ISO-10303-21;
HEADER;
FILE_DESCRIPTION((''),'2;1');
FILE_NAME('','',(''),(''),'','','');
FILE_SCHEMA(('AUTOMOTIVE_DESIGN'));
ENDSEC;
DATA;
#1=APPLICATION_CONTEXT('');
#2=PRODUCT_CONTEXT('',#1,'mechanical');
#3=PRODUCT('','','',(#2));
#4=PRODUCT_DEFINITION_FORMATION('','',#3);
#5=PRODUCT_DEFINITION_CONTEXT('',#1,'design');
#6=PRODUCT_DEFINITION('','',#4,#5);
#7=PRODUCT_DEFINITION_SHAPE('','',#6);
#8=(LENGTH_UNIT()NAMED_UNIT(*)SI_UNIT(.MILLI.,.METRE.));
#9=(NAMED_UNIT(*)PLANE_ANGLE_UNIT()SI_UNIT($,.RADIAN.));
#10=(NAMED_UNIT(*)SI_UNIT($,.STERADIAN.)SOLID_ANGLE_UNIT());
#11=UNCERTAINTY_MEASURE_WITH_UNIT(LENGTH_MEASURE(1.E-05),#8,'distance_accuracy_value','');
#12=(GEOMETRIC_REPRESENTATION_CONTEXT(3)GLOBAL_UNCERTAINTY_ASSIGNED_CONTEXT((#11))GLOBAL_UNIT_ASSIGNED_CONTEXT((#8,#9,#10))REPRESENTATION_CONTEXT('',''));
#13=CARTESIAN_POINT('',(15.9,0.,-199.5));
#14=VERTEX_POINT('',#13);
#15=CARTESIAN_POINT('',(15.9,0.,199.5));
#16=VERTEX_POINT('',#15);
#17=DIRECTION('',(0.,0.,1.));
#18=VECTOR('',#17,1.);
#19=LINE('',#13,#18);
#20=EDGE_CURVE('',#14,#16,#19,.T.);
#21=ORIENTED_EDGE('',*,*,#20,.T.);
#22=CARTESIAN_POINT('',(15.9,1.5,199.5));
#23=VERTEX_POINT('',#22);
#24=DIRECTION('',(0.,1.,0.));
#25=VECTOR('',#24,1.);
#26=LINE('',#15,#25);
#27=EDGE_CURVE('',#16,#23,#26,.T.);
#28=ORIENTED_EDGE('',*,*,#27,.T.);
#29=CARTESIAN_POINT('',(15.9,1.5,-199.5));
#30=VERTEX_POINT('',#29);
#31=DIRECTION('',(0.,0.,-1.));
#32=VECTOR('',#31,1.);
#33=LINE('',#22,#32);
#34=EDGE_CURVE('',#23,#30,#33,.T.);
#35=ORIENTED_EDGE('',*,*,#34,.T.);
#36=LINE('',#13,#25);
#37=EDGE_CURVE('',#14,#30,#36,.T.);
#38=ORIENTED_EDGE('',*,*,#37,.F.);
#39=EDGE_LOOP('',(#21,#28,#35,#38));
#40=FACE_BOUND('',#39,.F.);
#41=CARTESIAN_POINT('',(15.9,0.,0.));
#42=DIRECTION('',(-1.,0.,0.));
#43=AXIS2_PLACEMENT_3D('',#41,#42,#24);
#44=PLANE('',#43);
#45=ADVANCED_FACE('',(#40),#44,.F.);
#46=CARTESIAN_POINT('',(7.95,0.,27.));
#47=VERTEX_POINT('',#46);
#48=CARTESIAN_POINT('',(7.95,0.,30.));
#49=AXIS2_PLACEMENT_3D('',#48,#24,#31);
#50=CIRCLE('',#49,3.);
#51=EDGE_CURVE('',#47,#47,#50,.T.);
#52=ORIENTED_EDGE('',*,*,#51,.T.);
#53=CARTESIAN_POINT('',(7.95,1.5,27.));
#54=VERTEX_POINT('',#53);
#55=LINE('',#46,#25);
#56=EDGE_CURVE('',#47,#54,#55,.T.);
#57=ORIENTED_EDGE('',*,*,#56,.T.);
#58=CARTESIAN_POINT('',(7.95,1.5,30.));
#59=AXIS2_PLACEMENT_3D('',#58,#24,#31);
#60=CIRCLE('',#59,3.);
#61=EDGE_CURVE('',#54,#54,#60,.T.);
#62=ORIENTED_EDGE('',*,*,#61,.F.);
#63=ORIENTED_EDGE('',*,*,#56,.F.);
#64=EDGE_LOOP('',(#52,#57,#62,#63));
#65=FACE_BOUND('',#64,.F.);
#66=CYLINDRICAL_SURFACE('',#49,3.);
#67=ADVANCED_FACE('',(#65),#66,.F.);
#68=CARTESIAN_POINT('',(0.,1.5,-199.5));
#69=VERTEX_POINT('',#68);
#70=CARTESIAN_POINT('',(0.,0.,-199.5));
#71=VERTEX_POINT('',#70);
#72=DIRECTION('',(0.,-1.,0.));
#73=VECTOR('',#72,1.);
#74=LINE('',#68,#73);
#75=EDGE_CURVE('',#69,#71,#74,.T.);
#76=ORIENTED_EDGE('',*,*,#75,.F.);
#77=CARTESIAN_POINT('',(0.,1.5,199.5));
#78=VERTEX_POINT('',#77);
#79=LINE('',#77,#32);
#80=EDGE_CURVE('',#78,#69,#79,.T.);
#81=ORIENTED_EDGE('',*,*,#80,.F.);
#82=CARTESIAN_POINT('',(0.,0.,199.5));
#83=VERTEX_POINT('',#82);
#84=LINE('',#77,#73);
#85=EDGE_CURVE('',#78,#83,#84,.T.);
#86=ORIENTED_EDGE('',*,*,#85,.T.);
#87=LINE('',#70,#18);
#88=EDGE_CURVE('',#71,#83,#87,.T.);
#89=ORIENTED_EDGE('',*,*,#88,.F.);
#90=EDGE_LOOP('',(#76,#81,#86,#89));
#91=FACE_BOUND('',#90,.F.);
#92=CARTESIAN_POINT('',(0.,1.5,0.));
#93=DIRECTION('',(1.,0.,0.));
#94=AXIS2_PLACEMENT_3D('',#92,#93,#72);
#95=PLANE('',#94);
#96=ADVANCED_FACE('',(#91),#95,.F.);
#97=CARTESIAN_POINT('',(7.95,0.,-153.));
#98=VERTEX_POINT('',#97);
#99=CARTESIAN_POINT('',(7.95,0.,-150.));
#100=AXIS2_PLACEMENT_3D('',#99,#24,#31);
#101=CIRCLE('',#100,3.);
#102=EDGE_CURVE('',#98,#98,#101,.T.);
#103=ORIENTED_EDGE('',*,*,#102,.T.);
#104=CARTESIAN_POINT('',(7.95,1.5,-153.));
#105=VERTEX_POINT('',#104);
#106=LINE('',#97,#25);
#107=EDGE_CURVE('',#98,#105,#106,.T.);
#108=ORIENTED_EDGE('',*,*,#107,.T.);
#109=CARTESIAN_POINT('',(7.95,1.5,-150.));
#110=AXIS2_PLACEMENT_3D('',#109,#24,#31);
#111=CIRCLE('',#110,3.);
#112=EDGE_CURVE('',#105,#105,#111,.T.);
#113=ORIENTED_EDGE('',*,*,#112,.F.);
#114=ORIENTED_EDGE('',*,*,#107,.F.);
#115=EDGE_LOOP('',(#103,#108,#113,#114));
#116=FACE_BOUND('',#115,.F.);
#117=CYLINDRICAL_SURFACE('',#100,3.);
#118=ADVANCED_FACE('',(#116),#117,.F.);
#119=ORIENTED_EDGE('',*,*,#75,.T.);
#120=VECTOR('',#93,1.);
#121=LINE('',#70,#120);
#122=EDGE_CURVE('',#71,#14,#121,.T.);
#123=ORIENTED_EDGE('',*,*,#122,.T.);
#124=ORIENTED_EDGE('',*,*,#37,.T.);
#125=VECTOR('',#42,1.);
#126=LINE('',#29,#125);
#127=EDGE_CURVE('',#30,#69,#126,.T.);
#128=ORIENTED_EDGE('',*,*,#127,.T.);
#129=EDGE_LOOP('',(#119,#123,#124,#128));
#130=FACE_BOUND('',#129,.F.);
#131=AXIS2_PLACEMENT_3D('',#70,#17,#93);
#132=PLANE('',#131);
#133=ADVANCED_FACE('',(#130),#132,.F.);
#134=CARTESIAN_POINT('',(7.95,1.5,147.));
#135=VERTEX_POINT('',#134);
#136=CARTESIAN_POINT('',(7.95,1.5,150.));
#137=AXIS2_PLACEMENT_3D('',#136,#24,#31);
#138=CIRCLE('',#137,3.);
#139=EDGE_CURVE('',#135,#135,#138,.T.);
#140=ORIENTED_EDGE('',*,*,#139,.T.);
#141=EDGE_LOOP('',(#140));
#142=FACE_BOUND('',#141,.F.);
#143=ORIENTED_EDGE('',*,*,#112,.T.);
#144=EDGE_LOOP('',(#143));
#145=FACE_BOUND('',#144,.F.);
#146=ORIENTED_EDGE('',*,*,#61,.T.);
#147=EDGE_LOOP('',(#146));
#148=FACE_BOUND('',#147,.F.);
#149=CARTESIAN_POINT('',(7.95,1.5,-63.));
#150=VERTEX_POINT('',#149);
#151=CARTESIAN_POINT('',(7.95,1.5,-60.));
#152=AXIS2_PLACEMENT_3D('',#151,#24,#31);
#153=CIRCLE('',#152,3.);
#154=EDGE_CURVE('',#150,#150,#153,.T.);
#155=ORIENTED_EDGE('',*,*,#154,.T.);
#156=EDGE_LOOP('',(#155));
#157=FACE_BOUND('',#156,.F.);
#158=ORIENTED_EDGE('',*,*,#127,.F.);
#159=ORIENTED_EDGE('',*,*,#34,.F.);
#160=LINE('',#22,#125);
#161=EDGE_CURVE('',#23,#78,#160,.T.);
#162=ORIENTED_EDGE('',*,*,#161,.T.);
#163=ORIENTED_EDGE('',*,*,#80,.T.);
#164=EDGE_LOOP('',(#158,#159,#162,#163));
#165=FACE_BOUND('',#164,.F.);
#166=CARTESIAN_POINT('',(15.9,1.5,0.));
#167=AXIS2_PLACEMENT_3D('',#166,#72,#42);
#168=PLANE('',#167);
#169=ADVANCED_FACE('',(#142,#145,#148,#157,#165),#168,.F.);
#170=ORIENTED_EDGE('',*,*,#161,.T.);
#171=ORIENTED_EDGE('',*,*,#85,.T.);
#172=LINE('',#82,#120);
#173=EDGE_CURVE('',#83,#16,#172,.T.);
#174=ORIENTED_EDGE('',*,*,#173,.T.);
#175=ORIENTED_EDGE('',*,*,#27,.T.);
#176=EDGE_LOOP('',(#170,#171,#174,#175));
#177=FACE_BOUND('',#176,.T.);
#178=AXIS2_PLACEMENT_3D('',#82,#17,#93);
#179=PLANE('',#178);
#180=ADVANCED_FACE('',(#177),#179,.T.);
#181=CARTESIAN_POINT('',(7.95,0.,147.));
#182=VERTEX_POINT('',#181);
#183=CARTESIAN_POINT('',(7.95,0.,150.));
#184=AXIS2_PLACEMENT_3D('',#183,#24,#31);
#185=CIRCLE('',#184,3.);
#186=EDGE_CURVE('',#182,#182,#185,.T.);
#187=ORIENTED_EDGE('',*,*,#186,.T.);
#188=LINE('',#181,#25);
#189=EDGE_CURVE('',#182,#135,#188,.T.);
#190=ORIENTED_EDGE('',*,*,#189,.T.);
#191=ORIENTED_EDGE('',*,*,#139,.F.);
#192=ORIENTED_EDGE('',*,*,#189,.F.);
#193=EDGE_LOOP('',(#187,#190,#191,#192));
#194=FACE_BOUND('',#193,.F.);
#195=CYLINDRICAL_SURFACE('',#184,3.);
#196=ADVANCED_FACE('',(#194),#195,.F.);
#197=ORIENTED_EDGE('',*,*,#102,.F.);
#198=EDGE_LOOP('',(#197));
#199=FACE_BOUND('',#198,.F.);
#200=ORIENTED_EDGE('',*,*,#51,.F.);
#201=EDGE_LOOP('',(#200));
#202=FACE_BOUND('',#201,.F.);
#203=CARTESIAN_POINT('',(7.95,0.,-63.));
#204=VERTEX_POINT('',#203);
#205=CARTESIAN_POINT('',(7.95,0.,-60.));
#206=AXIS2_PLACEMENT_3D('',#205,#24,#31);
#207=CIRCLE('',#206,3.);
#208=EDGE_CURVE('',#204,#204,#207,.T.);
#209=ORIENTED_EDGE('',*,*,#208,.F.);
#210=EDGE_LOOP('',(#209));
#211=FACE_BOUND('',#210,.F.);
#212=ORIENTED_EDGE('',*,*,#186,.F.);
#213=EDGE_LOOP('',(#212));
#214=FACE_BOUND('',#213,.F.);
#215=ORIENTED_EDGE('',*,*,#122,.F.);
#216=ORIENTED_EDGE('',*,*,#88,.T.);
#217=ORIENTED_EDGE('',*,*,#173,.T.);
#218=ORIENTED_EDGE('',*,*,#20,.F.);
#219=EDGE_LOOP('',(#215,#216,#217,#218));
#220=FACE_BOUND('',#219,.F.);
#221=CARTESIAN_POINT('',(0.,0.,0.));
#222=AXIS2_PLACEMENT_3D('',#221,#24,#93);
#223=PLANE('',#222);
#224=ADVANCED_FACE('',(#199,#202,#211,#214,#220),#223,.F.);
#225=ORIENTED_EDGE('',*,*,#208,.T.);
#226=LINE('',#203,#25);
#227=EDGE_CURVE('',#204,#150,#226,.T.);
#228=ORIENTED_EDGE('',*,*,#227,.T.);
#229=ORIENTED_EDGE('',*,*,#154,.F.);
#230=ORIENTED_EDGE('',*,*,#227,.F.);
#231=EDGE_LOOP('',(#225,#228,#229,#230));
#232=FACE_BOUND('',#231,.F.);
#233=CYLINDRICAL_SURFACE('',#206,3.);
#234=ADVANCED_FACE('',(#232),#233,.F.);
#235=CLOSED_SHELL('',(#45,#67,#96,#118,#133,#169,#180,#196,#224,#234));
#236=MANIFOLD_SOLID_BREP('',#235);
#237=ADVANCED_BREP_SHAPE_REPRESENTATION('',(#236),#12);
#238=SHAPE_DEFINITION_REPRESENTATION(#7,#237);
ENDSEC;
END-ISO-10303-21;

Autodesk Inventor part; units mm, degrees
ref_plane "YZ Plane" through (0, 0, 0) normal (1, 0, 0) x (0, 1, 0)
ref_plane "XZ Plane" through (0, 0, 0) normal (0, 1, 0) x (-1, 0, 0)
ref_plane "XY Plane" through (0, 0, 0) normal (0, 0, 1) x (1, 0, 0)
sketch "Szkic1" plane through (0, 0, 0) normal (0, 0, 1) x (1, 0, 0)
  line L0 (0, 0) -> (15.9, 0)
  line L1 (15.9, 0) -> (15.9, 1.5)
  line L2 (15.9, 1.5) -> (0, 1.5)
  line L3 (0, 1.5) -> (0, 0)
  dimension "d0" = 15.9
  dimension "d1" = 1.5
extrude "Wyciągnięcie proste1" add sketch "Szkic1" along normal mid plane 399
sketch "Szkic2" plane through (0, 0, 0) normal (0, 1, 0) x (-1, 0, 0)
  line L0 (0, -199.5) -> (-15.9, -199.5) construction
  line L1 (-7.95, -199.5) -> (-7.95, -178.6885) construction
  line L2 (-15.9, 199.5) -> (0, 199.5) projected
  point P0 (0, 0)
  point P1 (-7.95, -150)
  point P2 (-7.95, -60)
  point P3 (-7.95, 30)
  point P4 (-7.95, 150)
  dimension "d4" = 49.5
  dimension "d5" = 90
  dimension "d6" = 49.5
  dimension "d7" = 90
hole "Otwór1" at (7.95, 0, -150) at (7.95, 0, -60) at (7.95, 0, 30) at (7.95, 0, 150) direction (0, 1, 0) diameter 6 end through all
properties part number "Listwa_oparcia" material "Polistyren"
